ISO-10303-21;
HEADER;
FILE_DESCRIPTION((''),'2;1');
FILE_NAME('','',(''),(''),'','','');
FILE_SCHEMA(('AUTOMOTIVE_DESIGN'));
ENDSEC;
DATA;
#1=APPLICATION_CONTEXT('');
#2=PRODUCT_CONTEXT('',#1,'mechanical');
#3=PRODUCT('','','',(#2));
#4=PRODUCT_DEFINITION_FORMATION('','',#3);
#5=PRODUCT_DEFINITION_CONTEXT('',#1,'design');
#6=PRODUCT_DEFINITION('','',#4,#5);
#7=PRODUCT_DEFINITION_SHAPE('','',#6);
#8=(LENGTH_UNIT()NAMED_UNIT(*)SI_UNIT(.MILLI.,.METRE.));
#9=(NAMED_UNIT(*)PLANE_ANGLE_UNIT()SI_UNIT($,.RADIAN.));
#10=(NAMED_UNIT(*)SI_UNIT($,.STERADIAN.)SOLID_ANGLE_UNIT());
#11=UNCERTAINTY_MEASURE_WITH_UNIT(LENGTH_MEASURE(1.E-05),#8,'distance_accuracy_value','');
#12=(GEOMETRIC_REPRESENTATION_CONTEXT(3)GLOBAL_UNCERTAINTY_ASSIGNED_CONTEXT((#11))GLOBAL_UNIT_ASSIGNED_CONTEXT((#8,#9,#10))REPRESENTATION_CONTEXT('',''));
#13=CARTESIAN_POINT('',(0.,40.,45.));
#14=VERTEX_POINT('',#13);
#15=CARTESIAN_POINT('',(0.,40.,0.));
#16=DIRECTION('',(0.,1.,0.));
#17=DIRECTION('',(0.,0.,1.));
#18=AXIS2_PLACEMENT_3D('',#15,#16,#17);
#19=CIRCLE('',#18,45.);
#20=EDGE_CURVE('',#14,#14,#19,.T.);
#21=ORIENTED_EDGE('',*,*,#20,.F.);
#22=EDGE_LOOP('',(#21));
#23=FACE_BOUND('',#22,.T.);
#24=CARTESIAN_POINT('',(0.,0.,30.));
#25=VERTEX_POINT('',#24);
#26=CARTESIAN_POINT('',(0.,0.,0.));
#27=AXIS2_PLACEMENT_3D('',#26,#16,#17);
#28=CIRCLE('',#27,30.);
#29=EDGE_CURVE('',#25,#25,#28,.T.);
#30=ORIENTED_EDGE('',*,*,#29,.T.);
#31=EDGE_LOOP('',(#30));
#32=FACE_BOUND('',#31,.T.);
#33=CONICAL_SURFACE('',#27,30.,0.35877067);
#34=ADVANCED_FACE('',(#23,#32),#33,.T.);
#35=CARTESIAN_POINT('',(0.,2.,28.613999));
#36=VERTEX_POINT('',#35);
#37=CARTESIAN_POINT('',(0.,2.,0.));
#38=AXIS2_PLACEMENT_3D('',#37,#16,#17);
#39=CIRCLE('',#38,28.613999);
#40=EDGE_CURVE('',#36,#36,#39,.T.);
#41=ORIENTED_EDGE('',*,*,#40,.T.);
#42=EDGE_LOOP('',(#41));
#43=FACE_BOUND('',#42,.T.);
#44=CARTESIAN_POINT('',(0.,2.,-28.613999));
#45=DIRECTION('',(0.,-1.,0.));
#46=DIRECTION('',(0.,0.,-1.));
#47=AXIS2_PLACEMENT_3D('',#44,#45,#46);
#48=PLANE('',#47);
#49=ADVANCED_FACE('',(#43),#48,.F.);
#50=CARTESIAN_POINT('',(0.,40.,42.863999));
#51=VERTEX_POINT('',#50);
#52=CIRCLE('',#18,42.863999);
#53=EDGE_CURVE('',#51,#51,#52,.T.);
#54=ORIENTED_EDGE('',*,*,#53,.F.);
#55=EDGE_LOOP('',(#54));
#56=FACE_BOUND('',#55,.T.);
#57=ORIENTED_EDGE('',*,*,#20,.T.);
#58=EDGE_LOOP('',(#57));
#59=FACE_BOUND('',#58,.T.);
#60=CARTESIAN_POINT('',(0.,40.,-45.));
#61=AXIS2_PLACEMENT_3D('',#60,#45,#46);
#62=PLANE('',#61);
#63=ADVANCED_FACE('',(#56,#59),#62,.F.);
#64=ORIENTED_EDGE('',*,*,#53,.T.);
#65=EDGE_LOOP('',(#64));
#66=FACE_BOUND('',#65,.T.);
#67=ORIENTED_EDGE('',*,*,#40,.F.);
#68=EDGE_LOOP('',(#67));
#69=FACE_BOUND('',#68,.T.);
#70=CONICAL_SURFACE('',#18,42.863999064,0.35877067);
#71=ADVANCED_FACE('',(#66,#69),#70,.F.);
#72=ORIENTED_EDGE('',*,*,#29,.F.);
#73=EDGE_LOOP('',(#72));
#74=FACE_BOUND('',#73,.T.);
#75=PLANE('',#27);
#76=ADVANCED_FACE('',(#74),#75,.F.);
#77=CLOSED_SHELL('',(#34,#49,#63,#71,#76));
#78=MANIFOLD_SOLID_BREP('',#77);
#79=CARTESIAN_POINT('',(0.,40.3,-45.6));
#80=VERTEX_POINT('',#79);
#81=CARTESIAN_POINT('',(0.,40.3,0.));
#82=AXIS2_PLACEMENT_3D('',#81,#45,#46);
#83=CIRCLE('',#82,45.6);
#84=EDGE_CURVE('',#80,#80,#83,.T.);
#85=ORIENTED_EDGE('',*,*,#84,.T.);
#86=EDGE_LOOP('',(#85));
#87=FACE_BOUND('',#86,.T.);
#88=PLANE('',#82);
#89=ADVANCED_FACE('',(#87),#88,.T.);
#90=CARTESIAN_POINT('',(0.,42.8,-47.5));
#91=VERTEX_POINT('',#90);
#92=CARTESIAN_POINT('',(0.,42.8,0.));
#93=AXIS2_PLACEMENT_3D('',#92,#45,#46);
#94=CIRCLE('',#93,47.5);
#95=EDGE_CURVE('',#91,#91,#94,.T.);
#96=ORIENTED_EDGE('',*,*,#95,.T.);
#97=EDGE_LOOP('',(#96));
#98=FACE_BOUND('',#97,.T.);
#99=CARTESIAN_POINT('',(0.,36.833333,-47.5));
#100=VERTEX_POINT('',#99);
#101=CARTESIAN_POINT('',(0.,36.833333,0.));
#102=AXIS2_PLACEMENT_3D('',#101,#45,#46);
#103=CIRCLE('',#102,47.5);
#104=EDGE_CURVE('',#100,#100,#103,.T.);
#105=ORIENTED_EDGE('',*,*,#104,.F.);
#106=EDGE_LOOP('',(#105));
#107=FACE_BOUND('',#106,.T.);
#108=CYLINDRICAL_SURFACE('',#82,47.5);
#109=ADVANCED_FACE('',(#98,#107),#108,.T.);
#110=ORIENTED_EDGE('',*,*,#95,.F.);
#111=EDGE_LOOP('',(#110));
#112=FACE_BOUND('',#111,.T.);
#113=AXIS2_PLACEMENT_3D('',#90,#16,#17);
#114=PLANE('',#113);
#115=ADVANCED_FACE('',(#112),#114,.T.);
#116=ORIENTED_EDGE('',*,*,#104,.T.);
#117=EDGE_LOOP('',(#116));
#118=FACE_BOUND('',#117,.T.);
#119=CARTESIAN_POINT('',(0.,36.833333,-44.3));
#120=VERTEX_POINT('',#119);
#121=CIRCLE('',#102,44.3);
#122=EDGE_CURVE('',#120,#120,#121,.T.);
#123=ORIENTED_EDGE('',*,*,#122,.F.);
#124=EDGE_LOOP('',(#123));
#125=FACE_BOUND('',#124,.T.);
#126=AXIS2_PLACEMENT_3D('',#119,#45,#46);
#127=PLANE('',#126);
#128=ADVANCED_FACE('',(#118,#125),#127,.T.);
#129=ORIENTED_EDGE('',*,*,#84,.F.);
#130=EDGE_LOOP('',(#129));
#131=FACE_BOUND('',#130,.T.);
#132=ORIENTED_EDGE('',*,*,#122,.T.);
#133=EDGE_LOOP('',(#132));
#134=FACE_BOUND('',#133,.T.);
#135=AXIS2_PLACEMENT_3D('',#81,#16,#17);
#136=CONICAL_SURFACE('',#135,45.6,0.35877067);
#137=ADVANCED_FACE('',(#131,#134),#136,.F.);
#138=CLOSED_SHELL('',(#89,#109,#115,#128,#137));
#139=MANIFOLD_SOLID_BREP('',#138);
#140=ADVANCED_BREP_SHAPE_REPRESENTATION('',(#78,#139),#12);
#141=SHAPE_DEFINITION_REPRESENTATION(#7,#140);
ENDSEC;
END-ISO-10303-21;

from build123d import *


with BuildPart() as part:
    # Sketch1 → Revolve1 (revolve)
    with BuildSketch(Plane(origin=(0, 0, 0), x_dir=(0, 0, -1), z_dir=(1, 0, 0))):
        Polygon((0, 2), (0, 0), (30, 0), (45, 40), (42.863999064, 40), (28.613999064, 2), align=None)
    revolve(axis=Axis((0, 2, 0), (0, -1, 0)))


with BuildPart() as body_2:
    # Sketch2 → Revolve2 (revolve)
    with BuildSketch(Plane(origin=(0, 0, 0), x_dir=(0, 0, -1), z_dir=(1, 0, 0))):
        Polygon((47.5, 42.8), (0, 42.8), (0, 40.3), (45.6, 40.3), (44.3, 36.833333333), (47.5, 36.833333333), align=None)
    revolve(axis=Axis((0, 40.3, 0), (0, 1, 0)))


solid = Compound([part.part, body_2.part])
